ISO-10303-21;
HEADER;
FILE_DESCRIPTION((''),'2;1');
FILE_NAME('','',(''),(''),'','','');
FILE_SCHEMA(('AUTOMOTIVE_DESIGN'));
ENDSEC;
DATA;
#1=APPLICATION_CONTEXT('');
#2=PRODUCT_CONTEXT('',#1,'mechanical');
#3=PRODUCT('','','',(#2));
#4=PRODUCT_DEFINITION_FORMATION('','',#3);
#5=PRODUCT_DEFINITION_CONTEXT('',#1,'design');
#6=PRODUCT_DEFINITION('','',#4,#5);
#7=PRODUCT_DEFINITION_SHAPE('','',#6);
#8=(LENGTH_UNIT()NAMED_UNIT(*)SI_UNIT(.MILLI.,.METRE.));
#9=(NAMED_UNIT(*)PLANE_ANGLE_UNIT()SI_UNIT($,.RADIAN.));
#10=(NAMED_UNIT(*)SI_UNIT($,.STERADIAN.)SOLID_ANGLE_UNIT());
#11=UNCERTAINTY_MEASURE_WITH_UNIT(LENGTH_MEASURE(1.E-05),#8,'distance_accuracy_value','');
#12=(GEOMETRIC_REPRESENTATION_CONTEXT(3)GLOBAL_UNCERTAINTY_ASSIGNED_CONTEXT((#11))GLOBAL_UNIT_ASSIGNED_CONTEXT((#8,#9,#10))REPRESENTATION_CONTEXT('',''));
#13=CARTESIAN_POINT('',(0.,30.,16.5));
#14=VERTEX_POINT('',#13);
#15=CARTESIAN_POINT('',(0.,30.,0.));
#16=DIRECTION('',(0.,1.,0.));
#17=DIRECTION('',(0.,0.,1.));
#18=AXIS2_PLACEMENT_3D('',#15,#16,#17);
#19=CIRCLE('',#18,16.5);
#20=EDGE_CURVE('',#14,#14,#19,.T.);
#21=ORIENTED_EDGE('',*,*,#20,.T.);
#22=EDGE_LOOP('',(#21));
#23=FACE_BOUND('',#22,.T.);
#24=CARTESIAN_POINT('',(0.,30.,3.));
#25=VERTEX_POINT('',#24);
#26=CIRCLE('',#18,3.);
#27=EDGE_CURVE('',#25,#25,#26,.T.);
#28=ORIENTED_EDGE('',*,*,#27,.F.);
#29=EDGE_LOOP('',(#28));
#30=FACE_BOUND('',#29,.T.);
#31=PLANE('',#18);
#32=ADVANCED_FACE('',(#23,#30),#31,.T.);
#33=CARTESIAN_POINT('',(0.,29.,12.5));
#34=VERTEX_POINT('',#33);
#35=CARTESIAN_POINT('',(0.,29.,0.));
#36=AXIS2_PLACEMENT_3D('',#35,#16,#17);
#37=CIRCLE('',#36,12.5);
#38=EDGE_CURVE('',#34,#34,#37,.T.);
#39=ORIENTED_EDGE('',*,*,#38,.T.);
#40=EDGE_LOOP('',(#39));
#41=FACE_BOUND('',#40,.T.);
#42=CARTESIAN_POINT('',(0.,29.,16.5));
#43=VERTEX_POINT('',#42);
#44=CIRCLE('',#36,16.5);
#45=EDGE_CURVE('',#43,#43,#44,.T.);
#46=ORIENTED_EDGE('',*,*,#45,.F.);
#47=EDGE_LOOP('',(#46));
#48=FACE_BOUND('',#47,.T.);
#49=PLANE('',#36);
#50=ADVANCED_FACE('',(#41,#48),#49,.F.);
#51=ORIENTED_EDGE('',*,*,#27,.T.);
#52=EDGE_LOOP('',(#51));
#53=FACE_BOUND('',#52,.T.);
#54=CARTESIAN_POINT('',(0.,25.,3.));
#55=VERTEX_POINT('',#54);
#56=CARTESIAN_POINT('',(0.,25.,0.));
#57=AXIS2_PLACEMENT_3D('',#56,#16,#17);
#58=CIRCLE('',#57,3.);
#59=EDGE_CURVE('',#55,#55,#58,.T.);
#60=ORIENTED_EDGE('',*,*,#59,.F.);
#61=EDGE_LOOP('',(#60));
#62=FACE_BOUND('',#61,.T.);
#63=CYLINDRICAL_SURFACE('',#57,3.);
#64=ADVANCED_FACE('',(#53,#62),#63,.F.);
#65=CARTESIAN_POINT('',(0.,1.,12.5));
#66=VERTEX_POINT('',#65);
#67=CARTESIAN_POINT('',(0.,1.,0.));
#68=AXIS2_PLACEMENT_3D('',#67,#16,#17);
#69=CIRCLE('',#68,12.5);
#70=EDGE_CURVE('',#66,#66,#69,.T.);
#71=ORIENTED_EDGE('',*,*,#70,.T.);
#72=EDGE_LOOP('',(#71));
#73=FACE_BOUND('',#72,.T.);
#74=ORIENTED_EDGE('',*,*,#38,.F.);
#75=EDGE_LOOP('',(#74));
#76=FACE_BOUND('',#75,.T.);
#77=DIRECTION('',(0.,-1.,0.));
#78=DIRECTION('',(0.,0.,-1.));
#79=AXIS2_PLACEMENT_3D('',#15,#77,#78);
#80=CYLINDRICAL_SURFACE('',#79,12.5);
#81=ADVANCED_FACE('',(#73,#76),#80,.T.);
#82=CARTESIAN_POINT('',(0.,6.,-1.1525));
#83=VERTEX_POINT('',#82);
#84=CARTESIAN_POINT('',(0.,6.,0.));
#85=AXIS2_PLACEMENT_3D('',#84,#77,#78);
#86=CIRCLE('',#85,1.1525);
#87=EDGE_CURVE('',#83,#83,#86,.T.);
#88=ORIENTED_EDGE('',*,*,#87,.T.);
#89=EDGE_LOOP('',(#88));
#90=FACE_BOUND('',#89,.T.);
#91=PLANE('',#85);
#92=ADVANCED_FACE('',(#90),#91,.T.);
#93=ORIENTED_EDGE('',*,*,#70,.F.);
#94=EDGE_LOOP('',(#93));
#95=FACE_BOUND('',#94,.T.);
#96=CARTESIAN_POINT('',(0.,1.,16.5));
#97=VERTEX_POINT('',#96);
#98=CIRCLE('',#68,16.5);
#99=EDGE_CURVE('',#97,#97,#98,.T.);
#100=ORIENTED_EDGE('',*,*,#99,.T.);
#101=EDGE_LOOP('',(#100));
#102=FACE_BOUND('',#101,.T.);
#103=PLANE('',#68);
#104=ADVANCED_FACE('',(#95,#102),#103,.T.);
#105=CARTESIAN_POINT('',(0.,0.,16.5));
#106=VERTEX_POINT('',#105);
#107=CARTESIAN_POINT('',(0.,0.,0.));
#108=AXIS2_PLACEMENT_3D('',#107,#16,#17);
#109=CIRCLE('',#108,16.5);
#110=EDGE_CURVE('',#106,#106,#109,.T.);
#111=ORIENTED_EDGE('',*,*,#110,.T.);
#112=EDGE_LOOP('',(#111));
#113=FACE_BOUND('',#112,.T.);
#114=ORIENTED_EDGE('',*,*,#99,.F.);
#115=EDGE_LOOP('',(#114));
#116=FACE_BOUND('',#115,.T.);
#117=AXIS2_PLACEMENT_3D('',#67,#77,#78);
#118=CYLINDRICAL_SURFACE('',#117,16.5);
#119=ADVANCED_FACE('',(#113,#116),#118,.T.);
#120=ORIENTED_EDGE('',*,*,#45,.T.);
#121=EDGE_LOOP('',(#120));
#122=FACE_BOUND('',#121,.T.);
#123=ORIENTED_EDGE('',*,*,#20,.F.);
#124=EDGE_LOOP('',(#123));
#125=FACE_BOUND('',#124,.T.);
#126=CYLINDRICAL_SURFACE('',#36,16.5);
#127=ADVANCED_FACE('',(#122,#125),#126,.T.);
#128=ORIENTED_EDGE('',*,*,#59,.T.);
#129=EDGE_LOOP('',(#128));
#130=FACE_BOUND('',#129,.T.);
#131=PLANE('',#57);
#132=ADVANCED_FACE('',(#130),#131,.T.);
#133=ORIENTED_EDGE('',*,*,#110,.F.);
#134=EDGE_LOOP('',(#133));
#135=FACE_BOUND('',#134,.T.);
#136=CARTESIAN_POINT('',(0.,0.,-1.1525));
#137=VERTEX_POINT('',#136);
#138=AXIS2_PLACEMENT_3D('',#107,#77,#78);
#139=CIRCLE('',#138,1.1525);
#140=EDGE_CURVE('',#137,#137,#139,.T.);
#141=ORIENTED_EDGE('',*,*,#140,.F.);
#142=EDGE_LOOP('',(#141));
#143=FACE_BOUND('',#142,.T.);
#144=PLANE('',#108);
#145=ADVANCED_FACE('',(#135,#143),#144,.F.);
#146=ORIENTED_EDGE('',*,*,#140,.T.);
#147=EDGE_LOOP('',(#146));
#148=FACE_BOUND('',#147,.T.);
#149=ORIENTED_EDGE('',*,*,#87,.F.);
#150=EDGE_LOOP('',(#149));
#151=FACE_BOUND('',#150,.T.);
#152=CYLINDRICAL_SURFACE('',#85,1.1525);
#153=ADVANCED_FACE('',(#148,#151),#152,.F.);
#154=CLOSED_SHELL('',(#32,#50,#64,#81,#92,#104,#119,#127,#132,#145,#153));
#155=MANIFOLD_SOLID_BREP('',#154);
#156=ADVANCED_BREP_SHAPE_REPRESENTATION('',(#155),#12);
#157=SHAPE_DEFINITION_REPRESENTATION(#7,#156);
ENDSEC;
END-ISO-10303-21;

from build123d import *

# Parameters (mm, degrees)
ESQUISSE1_R             = 12.5
BOSS_EXTRU_1_DEPTH      = 30
ESQUISSE1_3_R           = 16.5
ESQUISSE1_3_R_2         = 12.5
BOSS_EXTRU_2_DEPTH      = 1
BOSS_EXTRU_3_START      = -1
ESQUISSE2_R             = 16.5
BOSS_EXTRU_3_DEPTH      = 1
ESQUISSE3_R             = 1.1525
ENL_V_MAT_EXTRU_1_DEPTH = 6
ESQUISSE4_R             = 3
ENL_V_MAT_EXTRU_2_DEPTH = 5


with BuildPart() as part:
    # Esquisse1 → Boss.-Extru.1 (new body)
    with BuildSketch(Plane(origin=(0, 0, 0), x_dir=(1, 0, 0), z_dir=(0, 1, 0))):
        Circle(ESQUISSE1_R)
    extrude(amount=BOSS_EXTRU_1_DEPTH)

    # Esquisse1<3> → Boss.-Extru.2 (add)
    with BuildSketch(Plane(origin=(0, 0, 0), x_dir=(1, 0, 0), z_dir=(0, 1, 0))):
        Circle(ESQUISSE1_3_R)
        Circle(ESQUISSE1_3_R_2, mode=Mode.SUBTRACT)
    extrude(amount=BOSS_EXTRU_2_DEPTH)

    # Esquisse2 → Boss.-Extru.3 (add)
    with BuildSketch(Plane(origin=(0, 30, 0), x_dir=(1, 0, 0), z_dir=(0, 1, 0)).offset(BOSS_EXTRU_3_START)):
        Circle(ESQUISSE2_R)
    extrude(amount=BOSS_EXTRU_3_DEPTH)

    # Esquisse3 → Enlèv. mat.-Extru.1 (cut)
    with BuildSketch(Plane.XZ):
        Circle(ESQUISSE3_R)
    extrude(amount=-ENL_V_MAT_EXTRU_1_DEPTH, mode=Mode.SUBTRACT)

    # Esquisse4 → Enlèv. mat.-Extru.2 (cut)
    with BuildSketch(Plane(origin=(0, 30, 0), x_dir=(1, 0, 0), z_dir=(0, 1, 0))):
        Circle(ESQUISSE4_R)
    extrude(amount=-ENL_V_MAT_EXTRU_2_DEPTH, mode=Mode.SUBTRACT)


solid = part.part
